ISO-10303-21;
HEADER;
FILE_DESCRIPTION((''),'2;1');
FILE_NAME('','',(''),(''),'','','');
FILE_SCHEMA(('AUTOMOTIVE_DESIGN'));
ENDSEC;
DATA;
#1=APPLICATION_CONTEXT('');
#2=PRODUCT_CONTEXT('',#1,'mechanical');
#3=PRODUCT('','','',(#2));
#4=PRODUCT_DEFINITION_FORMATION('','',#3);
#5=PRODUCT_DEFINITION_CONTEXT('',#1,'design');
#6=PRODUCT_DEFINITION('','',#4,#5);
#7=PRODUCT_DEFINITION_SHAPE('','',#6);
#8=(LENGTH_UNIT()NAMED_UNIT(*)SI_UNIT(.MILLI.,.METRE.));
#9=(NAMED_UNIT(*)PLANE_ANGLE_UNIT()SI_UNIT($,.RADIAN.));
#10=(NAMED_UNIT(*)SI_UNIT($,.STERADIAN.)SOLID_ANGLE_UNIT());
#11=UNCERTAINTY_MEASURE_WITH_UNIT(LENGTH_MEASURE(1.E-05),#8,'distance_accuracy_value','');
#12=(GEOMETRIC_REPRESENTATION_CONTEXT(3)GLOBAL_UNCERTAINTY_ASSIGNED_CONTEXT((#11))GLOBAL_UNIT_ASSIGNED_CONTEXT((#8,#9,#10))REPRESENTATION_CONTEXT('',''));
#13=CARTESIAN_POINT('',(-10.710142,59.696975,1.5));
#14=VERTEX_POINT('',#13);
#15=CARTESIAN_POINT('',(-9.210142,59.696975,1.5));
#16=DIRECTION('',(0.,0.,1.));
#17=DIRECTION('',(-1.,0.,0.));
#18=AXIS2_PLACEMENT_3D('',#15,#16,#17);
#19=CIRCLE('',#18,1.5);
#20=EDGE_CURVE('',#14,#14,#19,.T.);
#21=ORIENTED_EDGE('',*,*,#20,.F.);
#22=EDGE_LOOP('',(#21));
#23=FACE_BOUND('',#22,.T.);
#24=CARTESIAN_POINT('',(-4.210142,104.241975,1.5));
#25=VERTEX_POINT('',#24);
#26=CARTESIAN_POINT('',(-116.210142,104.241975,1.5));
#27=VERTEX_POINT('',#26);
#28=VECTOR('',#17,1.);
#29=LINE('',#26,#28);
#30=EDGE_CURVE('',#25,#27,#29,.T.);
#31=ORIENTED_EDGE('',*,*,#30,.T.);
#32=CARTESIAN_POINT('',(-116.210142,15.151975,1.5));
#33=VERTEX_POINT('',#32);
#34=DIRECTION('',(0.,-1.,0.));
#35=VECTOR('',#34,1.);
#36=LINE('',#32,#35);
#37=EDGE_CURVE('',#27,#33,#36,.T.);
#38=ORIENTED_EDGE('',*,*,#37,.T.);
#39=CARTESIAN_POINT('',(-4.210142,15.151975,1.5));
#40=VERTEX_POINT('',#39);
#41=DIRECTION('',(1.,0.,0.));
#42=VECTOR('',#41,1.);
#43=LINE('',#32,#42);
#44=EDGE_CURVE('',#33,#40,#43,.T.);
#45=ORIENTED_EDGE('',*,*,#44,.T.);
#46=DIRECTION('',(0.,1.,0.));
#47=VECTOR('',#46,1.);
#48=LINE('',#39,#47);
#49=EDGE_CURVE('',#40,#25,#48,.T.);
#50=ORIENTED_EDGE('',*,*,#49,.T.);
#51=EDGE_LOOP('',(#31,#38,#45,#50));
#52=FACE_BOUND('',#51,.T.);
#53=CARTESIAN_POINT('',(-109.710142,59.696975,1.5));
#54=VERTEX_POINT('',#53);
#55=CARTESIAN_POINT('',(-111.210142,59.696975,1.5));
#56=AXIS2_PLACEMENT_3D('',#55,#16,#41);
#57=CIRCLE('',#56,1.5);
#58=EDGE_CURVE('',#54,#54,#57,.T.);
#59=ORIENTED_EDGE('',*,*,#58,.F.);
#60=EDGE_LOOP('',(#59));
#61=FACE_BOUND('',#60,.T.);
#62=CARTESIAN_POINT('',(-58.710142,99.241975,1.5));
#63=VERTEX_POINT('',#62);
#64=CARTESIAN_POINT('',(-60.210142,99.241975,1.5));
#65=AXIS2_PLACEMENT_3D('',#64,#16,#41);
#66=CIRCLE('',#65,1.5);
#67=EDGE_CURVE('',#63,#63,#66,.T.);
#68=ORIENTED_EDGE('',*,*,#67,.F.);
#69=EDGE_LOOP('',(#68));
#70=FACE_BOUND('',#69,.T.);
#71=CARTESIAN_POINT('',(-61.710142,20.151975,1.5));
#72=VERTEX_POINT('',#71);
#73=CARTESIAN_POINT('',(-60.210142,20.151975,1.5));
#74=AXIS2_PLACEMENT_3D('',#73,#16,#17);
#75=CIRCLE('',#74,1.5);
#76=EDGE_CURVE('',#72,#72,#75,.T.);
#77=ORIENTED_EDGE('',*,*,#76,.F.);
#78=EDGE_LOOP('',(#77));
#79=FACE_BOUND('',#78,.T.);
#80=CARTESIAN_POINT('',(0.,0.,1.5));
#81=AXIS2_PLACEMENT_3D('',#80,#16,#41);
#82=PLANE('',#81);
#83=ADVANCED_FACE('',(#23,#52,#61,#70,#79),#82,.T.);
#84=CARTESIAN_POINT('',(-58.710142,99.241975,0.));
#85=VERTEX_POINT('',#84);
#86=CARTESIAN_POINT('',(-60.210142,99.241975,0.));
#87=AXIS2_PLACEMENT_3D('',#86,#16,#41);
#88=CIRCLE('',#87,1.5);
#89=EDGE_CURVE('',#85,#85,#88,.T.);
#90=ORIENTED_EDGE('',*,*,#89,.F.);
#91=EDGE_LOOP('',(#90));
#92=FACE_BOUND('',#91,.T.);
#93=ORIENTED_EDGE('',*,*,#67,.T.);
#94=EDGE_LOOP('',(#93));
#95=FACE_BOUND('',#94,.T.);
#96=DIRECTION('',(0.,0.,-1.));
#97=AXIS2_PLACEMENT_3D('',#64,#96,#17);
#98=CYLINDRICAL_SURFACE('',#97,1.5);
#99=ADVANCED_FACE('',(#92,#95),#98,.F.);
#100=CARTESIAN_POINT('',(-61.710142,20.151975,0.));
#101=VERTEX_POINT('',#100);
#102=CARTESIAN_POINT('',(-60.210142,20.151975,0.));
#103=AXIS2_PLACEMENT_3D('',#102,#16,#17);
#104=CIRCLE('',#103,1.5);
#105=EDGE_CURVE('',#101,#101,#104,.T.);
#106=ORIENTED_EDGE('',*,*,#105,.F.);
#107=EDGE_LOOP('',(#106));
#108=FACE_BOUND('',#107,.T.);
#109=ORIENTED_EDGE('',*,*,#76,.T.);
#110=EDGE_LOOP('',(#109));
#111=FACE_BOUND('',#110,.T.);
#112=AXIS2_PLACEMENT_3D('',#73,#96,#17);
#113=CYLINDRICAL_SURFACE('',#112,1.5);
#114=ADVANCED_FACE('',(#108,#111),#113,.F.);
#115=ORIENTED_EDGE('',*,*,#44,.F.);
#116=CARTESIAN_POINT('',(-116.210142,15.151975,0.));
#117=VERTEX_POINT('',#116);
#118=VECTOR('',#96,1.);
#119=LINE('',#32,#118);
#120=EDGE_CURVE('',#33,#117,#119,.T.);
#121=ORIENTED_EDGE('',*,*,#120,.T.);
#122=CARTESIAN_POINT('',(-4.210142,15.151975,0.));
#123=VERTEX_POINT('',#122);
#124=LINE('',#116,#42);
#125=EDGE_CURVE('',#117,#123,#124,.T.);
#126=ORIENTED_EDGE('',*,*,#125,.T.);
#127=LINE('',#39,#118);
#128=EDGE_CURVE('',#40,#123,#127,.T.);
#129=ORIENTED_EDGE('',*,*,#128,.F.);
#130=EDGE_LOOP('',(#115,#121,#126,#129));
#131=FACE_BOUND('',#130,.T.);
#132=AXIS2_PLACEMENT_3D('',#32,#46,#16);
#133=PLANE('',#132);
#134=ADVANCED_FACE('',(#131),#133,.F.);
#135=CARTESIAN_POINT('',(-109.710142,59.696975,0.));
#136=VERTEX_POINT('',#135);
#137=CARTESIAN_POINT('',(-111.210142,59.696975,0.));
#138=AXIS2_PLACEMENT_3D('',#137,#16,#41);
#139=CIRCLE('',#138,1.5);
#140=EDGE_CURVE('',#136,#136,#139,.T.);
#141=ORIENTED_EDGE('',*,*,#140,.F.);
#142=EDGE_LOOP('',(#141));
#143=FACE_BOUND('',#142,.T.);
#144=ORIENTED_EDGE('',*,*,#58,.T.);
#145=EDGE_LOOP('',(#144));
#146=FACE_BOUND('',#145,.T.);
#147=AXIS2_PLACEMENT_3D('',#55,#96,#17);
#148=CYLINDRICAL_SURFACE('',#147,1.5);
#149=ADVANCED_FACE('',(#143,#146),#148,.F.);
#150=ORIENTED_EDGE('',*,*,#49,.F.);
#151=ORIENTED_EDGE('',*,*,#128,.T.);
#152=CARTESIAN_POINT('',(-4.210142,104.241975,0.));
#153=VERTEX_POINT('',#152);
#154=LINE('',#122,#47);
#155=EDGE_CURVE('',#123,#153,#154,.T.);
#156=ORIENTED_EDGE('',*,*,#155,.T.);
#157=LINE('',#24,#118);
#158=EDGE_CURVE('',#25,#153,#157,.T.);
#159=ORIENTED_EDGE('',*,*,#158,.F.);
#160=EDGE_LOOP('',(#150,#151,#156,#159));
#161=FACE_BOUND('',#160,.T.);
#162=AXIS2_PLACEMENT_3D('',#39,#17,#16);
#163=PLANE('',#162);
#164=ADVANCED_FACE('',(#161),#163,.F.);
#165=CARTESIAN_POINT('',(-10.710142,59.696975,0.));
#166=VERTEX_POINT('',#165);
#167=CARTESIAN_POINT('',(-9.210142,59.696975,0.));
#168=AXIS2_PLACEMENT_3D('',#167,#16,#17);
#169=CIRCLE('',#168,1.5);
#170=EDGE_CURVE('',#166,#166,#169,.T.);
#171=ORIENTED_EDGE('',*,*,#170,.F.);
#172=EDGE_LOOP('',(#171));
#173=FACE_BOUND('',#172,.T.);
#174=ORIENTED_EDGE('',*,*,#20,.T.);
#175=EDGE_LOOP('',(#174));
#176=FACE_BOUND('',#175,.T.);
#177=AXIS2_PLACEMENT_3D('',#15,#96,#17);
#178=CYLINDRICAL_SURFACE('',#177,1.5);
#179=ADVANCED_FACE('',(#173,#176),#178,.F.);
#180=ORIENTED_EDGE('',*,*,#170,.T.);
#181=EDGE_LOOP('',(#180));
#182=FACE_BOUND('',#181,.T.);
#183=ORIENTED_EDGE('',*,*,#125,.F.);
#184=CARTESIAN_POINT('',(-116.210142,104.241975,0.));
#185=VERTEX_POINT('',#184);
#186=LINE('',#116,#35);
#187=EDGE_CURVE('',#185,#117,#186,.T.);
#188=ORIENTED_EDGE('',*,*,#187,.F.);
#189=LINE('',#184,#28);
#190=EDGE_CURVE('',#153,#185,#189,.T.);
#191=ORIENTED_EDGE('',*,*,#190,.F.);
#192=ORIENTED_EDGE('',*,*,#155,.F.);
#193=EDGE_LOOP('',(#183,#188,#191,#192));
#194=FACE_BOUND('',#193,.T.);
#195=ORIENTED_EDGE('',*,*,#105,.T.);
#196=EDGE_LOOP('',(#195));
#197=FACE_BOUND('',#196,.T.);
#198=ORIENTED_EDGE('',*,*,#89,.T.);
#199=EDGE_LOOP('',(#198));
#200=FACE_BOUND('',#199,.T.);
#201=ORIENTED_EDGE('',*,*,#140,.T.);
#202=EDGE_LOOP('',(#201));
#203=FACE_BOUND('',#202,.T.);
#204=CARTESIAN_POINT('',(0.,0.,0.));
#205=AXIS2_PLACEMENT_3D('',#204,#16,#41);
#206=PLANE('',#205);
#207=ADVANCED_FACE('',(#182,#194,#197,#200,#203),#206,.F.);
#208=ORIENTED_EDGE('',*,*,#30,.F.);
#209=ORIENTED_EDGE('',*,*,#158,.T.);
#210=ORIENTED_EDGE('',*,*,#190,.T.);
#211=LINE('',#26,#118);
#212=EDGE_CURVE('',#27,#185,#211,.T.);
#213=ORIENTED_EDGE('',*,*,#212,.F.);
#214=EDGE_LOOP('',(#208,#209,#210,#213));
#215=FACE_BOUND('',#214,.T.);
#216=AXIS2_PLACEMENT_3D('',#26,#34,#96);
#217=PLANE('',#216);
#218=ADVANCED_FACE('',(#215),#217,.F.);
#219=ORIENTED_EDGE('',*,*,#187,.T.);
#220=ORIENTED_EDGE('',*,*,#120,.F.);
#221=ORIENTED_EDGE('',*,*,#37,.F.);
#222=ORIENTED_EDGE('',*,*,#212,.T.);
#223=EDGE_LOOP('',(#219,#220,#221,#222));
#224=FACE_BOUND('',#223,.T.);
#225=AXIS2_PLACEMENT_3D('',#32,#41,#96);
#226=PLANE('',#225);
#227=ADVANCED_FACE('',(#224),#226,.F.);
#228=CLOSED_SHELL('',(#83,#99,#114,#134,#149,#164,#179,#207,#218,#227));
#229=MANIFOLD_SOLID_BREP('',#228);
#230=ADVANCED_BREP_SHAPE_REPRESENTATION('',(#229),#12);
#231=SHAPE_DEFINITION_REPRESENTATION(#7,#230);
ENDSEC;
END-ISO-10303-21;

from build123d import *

# Parameters (mm, degrees)
SKETCH_1_W      = 112
SKETCH_1_H      = 89.09
SKETCH_1_R      = 1.5
EXTRUDE_1_DEPTH = 1.5


with BuildPart() as part:
    # 草图1 → 凸台-拉伸1 (new body)
    with BuildSketch(Plane.XY):
        with Locations((-60.21014197, 59.696974736)):
            Rectangle(SKETCH_1_W, SKETCH_1_H)
        with Locations((-60.21014197, 99.241974736)):
            Circle(SKETCH_1_R, mode=Mode.SUBTRACT)
        with Locations((-111.21014197, 59.696974736)):
            Circle(SKETCH_1_R, mode=Mode.SUBTRACT)
        with Locations(Location((-60.21014197, 20.151974736, 0), (0, 0, 180))):
            Circle(SKETCH_1_R, mode=Mode.SUBTRACT)
        with Locations(Location((-9.21014197, 59.696974736, 0), (0, 0, 180))):
            Circle(SKETCH_1_R, mode=Mode.SUBTRACT)
    extrude(amount=EXTRUDE_1_DEPTH)


solid = part.part
